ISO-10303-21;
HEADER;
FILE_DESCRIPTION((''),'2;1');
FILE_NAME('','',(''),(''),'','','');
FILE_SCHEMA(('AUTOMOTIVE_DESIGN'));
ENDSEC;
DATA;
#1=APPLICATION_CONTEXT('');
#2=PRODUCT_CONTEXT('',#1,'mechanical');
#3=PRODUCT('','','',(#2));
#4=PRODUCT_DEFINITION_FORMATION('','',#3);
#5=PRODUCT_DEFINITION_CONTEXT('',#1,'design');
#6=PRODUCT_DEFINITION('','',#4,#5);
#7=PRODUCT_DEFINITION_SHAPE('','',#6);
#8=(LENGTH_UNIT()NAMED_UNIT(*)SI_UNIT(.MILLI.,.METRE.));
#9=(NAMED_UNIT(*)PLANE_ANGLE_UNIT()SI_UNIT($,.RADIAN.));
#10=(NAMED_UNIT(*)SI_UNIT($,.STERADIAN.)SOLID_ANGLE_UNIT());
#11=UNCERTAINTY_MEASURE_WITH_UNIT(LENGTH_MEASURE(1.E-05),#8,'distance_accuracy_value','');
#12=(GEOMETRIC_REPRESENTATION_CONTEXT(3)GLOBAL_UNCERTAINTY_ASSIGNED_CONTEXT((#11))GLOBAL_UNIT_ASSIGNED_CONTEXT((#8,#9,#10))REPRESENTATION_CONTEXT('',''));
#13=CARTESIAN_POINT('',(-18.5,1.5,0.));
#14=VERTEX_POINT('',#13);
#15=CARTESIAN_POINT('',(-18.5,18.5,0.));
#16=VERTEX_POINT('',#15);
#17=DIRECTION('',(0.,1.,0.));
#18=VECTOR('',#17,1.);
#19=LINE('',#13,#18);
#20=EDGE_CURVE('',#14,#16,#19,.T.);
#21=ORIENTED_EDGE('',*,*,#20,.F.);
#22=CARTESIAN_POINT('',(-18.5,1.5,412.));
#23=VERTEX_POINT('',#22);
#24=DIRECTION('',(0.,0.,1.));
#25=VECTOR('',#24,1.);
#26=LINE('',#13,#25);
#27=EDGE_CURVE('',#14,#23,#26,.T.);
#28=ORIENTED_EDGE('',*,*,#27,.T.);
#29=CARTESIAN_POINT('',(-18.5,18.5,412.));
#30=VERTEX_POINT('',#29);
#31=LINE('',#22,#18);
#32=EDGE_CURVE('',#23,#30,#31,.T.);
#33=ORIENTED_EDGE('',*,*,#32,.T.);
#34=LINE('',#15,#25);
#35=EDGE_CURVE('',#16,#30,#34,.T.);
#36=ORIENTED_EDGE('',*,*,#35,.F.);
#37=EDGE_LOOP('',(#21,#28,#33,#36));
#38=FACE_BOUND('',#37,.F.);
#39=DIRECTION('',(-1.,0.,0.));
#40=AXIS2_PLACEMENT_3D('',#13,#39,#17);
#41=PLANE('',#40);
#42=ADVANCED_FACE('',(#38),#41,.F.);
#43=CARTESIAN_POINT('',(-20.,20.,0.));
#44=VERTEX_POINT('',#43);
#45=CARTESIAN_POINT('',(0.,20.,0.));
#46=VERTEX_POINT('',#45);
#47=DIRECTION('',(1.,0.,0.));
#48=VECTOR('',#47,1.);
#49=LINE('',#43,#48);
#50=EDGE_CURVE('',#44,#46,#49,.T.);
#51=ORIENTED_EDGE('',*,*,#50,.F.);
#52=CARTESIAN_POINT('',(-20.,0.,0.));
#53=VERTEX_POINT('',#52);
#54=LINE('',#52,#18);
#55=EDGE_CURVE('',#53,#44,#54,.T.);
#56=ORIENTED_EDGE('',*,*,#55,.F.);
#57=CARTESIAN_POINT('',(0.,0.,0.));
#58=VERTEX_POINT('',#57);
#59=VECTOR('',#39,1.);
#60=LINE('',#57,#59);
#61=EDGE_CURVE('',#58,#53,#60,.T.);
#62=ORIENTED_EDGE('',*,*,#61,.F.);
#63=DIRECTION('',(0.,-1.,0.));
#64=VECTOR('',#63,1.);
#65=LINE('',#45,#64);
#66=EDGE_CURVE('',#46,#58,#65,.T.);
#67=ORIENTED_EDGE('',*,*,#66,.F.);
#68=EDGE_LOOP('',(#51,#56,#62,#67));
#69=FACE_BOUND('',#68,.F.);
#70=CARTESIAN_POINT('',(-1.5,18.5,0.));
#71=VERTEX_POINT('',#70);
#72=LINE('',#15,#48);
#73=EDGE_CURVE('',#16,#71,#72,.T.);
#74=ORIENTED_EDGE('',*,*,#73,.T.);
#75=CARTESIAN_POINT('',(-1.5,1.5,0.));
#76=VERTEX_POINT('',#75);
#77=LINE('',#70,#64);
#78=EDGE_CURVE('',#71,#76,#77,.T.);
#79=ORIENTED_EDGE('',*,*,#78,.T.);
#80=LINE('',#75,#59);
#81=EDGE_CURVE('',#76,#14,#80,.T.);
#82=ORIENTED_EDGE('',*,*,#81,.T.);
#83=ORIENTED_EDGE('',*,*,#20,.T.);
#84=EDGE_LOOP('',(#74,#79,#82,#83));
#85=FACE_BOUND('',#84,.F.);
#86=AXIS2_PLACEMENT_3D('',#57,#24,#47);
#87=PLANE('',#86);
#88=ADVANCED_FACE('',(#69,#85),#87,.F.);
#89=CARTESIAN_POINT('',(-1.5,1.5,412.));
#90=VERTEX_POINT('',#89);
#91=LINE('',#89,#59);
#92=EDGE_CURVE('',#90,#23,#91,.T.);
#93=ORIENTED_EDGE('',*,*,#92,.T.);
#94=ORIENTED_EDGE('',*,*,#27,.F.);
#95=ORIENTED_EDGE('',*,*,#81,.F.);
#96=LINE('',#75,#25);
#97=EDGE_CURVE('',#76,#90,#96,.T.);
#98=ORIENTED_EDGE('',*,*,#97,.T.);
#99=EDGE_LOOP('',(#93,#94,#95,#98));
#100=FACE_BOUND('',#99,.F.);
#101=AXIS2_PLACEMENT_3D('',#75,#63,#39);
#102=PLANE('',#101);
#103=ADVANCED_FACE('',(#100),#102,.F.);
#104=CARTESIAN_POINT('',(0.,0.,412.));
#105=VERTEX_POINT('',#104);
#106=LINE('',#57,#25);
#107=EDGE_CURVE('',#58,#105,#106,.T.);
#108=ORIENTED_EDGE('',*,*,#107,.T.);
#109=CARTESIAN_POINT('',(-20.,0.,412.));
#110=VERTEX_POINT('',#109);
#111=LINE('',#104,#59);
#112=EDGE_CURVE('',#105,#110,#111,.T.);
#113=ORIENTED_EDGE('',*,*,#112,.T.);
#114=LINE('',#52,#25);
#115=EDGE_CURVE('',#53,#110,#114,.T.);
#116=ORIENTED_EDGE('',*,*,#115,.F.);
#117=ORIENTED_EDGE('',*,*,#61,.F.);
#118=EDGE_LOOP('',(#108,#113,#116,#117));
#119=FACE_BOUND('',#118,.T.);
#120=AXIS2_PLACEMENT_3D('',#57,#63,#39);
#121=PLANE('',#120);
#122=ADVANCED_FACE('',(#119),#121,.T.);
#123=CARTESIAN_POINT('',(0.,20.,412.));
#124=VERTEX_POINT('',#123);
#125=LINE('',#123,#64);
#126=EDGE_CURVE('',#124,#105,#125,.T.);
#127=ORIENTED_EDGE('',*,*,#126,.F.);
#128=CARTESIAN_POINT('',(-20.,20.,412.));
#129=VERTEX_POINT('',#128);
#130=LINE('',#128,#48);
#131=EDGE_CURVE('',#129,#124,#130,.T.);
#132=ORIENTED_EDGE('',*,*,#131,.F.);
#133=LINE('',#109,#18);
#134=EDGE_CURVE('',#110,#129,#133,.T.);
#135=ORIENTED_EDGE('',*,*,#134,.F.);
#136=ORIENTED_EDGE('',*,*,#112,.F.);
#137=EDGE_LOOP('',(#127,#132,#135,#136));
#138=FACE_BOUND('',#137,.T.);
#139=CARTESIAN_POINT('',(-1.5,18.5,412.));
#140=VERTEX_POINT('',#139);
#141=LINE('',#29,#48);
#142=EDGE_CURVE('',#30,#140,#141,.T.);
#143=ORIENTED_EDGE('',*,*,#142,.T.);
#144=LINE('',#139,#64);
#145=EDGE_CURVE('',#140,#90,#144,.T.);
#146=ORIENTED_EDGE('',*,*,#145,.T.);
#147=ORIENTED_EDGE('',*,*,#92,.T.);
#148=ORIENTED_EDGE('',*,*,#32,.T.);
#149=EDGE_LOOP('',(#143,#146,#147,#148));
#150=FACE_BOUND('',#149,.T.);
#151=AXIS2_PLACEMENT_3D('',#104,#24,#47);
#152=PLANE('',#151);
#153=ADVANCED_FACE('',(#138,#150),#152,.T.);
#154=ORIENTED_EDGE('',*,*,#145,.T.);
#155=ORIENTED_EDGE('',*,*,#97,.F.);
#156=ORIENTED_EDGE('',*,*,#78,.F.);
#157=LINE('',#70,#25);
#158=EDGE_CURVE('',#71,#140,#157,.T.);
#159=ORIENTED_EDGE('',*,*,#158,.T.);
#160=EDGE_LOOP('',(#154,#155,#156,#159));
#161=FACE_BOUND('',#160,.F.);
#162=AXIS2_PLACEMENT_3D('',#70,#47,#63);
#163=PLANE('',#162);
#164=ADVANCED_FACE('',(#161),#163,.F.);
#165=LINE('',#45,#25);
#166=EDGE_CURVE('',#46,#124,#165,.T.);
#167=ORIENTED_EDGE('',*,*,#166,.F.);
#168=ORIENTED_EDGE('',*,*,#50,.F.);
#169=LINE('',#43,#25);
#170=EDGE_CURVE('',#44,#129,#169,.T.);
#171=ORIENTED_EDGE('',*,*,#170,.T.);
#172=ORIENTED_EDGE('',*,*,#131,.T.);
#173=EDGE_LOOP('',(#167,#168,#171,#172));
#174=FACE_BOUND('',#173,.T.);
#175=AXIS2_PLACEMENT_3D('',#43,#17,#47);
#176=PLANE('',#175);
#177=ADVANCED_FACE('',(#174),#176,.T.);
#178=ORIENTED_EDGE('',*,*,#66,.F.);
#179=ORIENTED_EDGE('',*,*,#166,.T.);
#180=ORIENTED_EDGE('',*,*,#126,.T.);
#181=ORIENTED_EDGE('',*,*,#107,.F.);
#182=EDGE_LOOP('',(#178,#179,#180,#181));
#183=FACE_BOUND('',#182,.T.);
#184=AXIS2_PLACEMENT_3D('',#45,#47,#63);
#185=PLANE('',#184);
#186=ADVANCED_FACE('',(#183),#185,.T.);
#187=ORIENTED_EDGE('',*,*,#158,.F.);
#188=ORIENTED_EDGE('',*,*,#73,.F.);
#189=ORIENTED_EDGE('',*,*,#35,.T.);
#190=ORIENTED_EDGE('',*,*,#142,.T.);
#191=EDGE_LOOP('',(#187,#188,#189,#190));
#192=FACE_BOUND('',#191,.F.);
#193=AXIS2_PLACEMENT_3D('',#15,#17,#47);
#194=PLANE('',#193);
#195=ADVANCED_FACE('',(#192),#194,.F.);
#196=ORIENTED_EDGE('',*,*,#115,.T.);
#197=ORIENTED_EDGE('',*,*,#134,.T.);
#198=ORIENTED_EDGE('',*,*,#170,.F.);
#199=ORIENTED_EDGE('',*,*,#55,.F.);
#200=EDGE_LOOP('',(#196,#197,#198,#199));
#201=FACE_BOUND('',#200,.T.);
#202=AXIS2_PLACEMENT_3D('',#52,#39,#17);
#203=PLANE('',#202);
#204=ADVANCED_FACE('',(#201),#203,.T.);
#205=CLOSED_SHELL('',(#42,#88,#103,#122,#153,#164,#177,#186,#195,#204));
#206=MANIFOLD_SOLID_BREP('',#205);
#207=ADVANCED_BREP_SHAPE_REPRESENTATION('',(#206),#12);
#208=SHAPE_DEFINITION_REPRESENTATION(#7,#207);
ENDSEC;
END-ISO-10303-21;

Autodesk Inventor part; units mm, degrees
ref_plane "YZ Plane" through (0, 0, 0) normal (1, 0, 0) x (0, 1, 0)
ref_plane "XZ Plane" through (0, 0, 0) normal (0, 1, 0) x (-1, 0, 0)
ref_plane "РабПлоскость2" through (-55, 20, 412) normal (0, 0, 1) x (1, 0, 0)
sketch "Эскиз1" plane through (0, 0, 0) normal (0, 0, 1) x (1, 0, 0)
  line L0 (0, 0) -> (-20, 0)
  line L1 (-20, 0) -> (-20, 20)
  line L2 (-20, 20) -> (0, 20)
  line L3 (0, 20) -> (0, 0)
  line L4 (-1.5, 1.5) -> (-18.5, 1.5)
  line L5 (-18.5, 1.5) -> (-18.5, 18.5)
  line L6 (-18.5, 18.5) -> (-1.5, 18.5)
  line L7 (-1.5, 18.5) -> (-1.5, 1.5)
  point P0 (-10, 18.5)
  point P1 (-10, 20)
  point P2 (-18.5, 10)
  point P3 (-20, 10)
  dimension "d0" = 20
  dimension "d1" = 1.5
extrude "Выдавливание1" add sketch "Эскиз1" along normal up to surface (412 mm away)
properties part number "main axis"
